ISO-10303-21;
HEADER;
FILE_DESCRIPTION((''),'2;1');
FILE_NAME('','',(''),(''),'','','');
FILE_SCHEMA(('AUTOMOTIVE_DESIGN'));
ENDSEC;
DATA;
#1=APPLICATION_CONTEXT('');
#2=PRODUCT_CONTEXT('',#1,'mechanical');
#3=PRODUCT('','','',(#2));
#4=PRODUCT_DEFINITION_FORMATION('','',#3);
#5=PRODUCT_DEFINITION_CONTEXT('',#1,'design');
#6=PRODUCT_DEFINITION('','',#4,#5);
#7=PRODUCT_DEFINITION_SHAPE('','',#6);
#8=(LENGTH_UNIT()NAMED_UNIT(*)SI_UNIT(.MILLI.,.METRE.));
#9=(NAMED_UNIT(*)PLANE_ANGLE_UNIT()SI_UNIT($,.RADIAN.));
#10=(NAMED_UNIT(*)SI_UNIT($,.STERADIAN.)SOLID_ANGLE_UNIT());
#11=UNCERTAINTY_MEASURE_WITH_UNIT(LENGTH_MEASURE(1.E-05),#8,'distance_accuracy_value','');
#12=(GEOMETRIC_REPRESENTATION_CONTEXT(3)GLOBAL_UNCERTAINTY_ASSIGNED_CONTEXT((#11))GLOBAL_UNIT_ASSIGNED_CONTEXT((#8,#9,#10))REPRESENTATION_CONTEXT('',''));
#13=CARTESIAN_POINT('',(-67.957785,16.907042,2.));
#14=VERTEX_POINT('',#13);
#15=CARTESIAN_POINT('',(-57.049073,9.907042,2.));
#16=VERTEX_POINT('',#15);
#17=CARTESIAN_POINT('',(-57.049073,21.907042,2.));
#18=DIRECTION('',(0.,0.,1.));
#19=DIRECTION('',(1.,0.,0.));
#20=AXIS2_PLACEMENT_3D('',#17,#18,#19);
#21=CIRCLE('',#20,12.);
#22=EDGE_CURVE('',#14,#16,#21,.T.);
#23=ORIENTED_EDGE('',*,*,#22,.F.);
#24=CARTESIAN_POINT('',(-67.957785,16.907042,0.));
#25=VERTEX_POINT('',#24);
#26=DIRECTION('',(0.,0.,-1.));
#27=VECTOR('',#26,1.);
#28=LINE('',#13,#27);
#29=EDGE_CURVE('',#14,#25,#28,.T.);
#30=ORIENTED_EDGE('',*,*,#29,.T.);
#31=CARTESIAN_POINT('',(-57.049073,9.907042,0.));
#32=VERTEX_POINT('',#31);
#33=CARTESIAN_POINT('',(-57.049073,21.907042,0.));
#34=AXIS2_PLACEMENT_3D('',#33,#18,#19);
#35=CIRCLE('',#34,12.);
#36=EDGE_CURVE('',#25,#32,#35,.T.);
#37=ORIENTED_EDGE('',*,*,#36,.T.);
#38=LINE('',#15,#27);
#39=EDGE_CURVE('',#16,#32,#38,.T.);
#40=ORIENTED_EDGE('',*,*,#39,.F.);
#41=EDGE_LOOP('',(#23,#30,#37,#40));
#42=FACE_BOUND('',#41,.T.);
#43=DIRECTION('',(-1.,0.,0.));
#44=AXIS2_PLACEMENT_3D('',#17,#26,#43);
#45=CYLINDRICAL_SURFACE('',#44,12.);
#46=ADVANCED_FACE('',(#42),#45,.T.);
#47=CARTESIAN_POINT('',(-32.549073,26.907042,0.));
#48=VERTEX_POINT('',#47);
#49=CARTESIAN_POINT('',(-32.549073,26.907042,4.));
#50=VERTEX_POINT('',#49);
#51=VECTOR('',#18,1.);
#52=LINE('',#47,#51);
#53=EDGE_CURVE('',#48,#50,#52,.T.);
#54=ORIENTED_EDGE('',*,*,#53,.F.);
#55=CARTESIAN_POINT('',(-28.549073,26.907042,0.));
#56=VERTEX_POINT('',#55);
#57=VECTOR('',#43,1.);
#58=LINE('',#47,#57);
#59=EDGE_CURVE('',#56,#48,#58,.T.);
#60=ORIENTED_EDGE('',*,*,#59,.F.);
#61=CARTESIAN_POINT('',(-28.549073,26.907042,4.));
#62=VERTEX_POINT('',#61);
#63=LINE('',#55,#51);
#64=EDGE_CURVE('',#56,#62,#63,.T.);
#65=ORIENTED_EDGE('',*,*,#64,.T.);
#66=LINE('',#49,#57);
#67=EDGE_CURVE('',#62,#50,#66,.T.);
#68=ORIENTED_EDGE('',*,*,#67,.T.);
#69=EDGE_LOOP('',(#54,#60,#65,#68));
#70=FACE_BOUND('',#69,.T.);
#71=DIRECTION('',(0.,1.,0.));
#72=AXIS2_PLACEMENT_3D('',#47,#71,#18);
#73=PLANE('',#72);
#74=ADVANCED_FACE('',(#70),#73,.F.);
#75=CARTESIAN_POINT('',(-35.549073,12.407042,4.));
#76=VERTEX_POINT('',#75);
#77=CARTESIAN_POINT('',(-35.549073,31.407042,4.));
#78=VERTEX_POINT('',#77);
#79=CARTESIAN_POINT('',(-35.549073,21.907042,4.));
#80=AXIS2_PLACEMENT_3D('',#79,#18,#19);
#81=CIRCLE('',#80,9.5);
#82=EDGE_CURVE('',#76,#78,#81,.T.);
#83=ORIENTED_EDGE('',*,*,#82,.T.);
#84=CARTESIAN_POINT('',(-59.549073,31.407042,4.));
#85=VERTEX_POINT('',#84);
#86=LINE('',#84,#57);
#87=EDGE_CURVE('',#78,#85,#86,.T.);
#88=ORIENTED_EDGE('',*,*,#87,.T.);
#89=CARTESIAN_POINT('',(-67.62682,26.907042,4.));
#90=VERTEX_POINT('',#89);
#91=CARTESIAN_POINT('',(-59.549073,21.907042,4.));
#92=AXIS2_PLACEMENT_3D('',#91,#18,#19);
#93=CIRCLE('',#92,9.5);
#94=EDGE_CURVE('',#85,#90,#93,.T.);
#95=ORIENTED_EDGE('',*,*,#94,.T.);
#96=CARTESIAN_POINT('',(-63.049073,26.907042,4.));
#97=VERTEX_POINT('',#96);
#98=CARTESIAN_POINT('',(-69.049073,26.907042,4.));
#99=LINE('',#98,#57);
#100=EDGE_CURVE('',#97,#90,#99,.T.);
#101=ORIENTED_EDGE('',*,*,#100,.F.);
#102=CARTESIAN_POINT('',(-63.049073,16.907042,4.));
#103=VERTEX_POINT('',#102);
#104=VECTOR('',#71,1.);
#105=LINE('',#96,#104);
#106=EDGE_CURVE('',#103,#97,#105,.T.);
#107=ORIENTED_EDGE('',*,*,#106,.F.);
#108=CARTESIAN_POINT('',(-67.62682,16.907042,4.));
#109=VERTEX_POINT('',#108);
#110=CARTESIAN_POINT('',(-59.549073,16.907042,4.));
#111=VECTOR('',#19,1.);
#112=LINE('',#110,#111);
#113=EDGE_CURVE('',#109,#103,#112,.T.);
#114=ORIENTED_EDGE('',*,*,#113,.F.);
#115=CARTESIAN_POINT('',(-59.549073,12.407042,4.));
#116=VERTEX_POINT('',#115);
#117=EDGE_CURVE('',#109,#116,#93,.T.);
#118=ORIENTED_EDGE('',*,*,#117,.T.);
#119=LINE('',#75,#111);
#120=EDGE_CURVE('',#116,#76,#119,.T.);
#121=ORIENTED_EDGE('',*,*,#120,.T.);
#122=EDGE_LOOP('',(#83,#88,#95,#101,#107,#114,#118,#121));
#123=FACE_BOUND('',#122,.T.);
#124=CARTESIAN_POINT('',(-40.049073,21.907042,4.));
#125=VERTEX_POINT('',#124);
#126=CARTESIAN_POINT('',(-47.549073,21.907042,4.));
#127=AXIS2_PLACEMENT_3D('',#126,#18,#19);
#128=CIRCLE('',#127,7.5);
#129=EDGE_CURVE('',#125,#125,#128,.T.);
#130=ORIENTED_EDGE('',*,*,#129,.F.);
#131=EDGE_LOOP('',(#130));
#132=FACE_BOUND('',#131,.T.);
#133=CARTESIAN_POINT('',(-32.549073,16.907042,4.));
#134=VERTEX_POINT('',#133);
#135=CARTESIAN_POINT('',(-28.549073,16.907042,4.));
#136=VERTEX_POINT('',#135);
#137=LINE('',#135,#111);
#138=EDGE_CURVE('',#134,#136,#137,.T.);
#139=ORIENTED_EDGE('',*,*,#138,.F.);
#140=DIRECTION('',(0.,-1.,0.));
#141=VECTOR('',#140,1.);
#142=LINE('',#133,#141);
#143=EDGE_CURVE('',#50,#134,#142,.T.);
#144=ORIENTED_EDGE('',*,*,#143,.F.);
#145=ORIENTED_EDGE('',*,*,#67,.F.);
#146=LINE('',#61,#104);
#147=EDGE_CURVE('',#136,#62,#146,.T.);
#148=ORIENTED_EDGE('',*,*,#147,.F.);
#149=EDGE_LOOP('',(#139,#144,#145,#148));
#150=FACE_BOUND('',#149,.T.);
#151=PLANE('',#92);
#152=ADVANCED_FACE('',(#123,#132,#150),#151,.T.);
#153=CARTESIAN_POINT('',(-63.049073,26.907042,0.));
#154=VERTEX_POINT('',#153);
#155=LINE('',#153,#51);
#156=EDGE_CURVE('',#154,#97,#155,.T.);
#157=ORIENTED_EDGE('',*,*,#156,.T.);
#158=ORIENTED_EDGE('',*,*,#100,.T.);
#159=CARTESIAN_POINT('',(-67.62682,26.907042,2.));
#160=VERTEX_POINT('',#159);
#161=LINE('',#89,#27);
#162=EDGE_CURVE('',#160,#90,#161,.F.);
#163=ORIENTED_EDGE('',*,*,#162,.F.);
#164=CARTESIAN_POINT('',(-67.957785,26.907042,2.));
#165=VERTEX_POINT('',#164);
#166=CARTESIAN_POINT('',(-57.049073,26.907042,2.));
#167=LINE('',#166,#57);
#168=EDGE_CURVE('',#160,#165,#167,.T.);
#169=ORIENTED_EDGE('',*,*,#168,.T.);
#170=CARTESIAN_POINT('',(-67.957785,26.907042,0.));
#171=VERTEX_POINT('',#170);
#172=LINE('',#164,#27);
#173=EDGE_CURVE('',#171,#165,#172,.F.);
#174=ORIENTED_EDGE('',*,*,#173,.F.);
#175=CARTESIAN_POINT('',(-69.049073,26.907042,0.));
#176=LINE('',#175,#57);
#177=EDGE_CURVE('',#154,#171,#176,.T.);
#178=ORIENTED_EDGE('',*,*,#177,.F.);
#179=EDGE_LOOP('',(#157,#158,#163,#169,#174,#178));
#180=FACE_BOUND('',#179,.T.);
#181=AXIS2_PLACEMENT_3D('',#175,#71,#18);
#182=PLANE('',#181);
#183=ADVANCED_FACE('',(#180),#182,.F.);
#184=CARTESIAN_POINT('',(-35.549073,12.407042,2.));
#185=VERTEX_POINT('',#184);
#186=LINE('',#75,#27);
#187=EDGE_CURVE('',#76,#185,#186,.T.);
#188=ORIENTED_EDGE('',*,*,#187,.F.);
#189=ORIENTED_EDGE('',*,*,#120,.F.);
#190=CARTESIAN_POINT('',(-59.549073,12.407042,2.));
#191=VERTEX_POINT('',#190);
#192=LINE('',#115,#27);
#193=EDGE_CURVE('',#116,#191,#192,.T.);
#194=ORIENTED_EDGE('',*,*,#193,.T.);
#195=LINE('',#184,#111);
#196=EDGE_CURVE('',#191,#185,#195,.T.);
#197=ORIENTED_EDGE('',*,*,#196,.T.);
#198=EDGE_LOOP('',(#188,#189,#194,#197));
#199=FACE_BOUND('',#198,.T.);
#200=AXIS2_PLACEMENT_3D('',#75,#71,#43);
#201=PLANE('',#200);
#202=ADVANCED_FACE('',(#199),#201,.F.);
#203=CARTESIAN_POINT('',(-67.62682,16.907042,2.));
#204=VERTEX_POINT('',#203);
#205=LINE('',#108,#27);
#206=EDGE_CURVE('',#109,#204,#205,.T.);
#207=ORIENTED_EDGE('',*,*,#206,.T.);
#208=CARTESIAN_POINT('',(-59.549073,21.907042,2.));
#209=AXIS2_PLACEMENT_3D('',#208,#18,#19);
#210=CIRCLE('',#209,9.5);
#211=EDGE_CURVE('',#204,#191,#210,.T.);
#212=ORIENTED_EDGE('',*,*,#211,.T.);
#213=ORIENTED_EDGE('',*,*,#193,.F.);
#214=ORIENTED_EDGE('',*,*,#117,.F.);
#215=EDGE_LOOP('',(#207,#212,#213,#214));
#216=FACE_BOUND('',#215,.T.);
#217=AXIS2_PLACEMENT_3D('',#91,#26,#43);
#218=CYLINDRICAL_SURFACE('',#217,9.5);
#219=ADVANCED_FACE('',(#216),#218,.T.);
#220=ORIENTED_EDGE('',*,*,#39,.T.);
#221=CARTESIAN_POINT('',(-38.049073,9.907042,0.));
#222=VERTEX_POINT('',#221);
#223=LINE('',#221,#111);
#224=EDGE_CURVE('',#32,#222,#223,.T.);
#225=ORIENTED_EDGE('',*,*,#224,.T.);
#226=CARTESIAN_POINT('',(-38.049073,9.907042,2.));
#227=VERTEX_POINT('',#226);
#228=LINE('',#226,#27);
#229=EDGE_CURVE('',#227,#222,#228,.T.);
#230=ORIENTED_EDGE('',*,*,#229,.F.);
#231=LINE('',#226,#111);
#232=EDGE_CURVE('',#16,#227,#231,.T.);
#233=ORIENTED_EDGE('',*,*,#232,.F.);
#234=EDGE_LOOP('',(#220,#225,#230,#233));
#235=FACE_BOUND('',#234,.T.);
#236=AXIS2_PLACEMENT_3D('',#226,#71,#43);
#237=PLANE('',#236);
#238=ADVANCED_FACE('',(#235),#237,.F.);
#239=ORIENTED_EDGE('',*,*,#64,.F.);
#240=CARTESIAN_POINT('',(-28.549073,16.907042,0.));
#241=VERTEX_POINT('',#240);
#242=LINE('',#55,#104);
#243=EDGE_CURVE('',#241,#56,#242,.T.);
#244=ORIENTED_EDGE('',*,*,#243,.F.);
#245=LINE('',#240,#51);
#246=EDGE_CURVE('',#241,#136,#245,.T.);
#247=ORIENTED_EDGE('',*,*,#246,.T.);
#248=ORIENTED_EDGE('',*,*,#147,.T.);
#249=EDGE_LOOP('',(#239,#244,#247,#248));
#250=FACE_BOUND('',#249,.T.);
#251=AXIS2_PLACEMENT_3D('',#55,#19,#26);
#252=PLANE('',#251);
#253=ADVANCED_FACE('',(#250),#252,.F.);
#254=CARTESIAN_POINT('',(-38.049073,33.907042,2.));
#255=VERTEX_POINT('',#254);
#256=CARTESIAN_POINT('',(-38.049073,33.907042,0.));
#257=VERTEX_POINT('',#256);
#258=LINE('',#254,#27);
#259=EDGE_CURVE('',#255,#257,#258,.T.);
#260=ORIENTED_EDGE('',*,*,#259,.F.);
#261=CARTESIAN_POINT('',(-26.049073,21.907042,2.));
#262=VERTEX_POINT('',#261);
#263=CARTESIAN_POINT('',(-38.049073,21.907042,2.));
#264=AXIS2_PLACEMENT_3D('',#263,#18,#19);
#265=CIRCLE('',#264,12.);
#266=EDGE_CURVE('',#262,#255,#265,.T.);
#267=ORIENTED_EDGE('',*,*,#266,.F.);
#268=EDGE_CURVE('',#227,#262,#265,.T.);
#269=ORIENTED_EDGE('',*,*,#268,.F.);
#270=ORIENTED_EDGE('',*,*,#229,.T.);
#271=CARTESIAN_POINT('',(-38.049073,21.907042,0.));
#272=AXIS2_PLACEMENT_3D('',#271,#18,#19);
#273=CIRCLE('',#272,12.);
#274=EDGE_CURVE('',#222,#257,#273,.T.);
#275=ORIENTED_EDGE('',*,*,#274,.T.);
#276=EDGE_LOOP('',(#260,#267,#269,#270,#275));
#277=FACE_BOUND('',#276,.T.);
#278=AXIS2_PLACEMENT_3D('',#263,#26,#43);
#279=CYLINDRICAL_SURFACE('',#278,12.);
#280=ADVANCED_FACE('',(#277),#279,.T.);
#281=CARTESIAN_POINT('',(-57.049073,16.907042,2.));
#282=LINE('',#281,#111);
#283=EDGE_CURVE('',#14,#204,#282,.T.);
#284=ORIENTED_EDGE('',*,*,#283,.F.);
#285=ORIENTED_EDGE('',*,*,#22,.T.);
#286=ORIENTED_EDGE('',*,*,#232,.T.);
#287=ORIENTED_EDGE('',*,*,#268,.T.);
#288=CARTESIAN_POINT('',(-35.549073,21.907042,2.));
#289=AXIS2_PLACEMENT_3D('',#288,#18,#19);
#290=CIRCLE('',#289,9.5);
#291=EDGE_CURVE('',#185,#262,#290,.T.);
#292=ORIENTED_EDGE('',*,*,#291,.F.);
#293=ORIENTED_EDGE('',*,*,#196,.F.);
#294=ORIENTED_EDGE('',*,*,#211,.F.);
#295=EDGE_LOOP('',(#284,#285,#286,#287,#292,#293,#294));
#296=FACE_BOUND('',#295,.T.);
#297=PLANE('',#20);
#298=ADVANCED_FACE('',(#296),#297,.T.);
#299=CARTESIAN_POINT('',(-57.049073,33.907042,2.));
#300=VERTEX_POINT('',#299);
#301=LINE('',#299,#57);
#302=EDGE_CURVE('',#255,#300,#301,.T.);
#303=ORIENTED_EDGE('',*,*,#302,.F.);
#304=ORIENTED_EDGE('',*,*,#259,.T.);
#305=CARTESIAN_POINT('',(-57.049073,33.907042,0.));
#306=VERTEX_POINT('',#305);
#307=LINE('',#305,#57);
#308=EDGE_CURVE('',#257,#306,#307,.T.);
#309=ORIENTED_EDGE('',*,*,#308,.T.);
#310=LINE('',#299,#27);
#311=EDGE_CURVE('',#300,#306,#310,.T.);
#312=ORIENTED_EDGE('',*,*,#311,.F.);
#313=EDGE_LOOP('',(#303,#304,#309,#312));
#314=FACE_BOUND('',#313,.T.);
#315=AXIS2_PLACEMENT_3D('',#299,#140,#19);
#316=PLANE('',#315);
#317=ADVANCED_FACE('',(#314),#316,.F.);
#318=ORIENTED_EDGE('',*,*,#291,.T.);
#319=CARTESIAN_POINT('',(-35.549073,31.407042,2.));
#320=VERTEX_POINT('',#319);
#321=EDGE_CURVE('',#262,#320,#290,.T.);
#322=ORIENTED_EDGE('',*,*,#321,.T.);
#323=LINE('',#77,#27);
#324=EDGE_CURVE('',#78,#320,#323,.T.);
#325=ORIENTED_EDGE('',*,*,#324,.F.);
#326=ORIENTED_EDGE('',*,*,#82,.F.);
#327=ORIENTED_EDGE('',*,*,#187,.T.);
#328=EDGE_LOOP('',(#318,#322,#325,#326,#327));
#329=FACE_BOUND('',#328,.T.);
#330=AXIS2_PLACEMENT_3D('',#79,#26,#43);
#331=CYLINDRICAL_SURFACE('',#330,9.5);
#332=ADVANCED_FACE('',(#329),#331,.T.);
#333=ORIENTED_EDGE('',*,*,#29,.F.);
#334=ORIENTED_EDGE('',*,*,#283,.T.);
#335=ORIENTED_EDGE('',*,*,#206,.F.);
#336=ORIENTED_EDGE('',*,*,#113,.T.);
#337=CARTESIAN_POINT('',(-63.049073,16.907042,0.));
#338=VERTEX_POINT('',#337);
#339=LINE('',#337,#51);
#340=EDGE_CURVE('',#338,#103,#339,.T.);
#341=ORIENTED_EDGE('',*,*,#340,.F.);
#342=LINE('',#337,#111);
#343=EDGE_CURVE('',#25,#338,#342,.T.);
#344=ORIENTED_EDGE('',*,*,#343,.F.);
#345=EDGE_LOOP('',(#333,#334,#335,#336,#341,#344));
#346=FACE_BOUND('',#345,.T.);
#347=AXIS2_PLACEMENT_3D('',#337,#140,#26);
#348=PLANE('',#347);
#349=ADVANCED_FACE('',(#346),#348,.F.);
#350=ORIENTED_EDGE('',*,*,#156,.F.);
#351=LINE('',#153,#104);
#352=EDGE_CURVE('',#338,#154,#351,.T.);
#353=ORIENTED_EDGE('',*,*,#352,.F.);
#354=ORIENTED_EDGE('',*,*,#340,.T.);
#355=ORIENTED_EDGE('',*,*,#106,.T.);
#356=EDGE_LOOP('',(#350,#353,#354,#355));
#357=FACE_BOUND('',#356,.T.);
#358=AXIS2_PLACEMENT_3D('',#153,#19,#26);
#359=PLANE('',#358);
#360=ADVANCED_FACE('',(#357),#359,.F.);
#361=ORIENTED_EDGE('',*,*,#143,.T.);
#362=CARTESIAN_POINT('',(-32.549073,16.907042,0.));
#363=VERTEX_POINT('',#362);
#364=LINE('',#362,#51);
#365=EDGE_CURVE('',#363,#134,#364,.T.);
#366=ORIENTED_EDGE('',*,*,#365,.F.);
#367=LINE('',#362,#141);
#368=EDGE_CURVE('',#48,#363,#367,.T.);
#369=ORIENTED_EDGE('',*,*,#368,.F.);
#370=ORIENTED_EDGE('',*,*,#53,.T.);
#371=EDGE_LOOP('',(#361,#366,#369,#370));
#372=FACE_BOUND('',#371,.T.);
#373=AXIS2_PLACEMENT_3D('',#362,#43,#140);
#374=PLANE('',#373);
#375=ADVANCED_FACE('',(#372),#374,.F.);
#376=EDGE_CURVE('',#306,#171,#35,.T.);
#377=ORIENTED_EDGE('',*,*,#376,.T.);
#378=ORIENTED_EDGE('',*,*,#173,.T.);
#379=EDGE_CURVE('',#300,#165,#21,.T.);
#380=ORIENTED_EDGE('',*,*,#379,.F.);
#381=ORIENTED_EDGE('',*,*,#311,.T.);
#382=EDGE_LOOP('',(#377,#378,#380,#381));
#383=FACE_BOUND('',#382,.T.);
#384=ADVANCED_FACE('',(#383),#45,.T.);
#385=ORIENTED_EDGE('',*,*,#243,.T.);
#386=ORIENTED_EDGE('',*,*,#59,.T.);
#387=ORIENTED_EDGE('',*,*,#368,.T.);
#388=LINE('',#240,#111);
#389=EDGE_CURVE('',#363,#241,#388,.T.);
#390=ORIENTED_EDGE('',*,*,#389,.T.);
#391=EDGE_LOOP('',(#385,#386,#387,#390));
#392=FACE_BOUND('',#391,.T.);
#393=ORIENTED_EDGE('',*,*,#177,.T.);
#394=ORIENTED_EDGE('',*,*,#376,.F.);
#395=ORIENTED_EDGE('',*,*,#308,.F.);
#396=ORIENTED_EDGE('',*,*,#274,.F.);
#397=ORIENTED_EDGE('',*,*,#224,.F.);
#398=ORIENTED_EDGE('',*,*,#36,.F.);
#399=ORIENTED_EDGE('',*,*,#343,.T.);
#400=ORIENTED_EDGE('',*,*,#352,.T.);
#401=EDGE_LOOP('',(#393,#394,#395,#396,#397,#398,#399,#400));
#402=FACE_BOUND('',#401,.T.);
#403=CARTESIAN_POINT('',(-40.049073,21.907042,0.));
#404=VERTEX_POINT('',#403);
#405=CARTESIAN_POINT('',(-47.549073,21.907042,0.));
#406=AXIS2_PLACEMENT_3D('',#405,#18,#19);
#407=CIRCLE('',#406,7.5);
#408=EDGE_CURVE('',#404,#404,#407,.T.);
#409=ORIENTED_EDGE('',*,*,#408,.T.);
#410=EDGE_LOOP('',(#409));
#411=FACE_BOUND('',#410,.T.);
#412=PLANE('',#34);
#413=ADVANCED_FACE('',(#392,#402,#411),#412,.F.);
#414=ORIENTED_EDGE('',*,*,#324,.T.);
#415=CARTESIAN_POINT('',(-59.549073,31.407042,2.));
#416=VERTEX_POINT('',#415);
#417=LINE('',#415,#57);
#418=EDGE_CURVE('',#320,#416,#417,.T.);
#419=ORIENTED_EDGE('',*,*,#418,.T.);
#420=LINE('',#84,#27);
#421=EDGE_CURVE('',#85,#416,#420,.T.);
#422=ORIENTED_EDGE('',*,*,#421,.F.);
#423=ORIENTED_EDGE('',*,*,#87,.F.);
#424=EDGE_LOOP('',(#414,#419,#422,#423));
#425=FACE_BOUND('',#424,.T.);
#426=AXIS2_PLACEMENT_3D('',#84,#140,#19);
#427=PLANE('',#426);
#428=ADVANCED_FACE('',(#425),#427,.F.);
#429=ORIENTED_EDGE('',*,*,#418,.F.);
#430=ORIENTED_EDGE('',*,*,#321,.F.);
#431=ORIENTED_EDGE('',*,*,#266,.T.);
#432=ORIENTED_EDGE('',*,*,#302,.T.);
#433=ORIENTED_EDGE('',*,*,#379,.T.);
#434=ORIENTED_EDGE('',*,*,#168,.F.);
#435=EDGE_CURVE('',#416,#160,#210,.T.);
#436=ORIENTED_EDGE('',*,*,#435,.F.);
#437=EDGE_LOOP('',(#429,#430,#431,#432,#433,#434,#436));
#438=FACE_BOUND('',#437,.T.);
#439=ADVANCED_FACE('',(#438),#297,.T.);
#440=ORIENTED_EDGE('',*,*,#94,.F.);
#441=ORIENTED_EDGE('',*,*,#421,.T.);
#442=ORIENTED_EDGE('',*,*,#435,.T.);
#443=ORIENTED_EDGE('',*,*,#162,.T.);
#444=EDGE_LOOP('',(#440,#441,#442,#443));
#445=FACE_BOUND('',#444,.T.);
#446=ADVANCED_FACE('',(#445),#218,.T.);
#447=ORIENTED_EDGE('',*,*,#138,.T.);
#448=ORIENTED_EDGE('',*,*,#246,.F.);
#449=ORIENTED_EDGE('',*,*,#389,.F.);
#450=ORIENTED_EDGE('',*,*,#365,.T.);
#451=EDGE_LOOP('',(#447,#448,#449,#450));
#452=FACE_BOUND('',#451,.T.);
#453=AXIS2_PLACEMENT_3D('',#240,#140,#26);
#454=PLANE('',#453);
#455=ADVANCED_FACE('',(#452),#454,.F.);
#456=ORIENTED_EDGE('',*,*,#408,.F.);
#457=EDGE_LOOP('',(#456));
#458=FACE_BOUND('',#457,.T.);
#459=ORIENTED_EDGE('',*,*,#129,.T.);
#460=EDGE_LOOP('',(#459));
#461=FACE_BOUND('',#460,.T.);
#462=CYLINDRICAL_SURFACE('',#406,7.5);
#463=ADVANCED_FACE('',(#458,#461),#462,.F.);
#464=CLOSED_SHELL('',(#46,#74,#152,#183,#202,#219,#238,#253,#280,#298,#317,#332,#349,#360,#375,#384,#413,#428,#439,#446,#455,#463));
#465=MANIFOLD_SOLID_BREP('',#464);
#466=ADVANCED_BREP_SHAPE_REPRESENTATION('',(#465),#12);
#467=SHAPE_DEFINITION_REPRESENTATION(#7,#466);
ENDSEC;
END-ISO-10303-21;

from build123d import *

# Parameters (mm, degrees)
EXTRUSION1_DEPTH        = 2
EXTRUSION4_DEPTH        = 2
ESQUISSE3_R             = 7.5
ESQUISSE3_W             = 4
ESQUISSE3_H             = 10
ESQUISSE3_W_2           = 6
ENL_V_MAT_EXTRU_1_DEPTH = 5


with BuildPart() as part:
    # Esquisse1 → Extrusion1 (new body)
    with BuildSketch(Plane.XY):
        with BuildLine():
            Line((-57.049073, 33.907042), (-38.049073, 33.907042))
            ThreePointArc((-38.049073, 33.907042), (-26.049073, 21.907042), (-38.049073, 9.907042))
            Line((-38.049073, 9.907042), (-57.049073, 9.907042))
            ThreePointArc((-57.049073, 9.907042), (-69.049073, 21.907042), (-57.049073, 33.907042))
        make_face()
    extrude(amount=EXTRUSION1_DEPTH)

    # Esquisse2 → Extrusion4 (add)
    with BuildSketch(Plane.XY.offset(2)):
        with BuildLine():
            Line((-59.549073, 31.407042), (-35.549073, 31.407042))
            ThreePointArc((-35.549073, 31.407042), (-26.049073, 21.907042), (-35.549073, 12.407042))
            Line((-35.549073, 12.407042), (-59.549073, 12.407042))
            ThreePointArc((-59.549073, 12.407042), (-69.049073, 21.907042), (-59.549073, 31.407042))
        make_face()
    extrude(amount=EXTRUSION4_DEPTH)

    # Esquisse3 → Enlèv. mat.-Extru.1 (cut, through all)
    with BuildSketch(Plane.XY.offset(4)):
        with Locations((-47.549073, 21.907042)):
            Circle(ESQUISSE3_R)
        with Locations((-30.549073, 21.907042)):
            Rectangle(ESQUISSE3_W, ESQUISSE3_H)
        with Locations((-66.049073, 21.907042)):
            Rectangle(ESQUISSE3_W_2, ESQUISSE3_H)
    extrude(amount=-ENL_V_MAT_EXTRU_1_DEPTH, mode=Mode.SUBTRACT)


solid = part.part
